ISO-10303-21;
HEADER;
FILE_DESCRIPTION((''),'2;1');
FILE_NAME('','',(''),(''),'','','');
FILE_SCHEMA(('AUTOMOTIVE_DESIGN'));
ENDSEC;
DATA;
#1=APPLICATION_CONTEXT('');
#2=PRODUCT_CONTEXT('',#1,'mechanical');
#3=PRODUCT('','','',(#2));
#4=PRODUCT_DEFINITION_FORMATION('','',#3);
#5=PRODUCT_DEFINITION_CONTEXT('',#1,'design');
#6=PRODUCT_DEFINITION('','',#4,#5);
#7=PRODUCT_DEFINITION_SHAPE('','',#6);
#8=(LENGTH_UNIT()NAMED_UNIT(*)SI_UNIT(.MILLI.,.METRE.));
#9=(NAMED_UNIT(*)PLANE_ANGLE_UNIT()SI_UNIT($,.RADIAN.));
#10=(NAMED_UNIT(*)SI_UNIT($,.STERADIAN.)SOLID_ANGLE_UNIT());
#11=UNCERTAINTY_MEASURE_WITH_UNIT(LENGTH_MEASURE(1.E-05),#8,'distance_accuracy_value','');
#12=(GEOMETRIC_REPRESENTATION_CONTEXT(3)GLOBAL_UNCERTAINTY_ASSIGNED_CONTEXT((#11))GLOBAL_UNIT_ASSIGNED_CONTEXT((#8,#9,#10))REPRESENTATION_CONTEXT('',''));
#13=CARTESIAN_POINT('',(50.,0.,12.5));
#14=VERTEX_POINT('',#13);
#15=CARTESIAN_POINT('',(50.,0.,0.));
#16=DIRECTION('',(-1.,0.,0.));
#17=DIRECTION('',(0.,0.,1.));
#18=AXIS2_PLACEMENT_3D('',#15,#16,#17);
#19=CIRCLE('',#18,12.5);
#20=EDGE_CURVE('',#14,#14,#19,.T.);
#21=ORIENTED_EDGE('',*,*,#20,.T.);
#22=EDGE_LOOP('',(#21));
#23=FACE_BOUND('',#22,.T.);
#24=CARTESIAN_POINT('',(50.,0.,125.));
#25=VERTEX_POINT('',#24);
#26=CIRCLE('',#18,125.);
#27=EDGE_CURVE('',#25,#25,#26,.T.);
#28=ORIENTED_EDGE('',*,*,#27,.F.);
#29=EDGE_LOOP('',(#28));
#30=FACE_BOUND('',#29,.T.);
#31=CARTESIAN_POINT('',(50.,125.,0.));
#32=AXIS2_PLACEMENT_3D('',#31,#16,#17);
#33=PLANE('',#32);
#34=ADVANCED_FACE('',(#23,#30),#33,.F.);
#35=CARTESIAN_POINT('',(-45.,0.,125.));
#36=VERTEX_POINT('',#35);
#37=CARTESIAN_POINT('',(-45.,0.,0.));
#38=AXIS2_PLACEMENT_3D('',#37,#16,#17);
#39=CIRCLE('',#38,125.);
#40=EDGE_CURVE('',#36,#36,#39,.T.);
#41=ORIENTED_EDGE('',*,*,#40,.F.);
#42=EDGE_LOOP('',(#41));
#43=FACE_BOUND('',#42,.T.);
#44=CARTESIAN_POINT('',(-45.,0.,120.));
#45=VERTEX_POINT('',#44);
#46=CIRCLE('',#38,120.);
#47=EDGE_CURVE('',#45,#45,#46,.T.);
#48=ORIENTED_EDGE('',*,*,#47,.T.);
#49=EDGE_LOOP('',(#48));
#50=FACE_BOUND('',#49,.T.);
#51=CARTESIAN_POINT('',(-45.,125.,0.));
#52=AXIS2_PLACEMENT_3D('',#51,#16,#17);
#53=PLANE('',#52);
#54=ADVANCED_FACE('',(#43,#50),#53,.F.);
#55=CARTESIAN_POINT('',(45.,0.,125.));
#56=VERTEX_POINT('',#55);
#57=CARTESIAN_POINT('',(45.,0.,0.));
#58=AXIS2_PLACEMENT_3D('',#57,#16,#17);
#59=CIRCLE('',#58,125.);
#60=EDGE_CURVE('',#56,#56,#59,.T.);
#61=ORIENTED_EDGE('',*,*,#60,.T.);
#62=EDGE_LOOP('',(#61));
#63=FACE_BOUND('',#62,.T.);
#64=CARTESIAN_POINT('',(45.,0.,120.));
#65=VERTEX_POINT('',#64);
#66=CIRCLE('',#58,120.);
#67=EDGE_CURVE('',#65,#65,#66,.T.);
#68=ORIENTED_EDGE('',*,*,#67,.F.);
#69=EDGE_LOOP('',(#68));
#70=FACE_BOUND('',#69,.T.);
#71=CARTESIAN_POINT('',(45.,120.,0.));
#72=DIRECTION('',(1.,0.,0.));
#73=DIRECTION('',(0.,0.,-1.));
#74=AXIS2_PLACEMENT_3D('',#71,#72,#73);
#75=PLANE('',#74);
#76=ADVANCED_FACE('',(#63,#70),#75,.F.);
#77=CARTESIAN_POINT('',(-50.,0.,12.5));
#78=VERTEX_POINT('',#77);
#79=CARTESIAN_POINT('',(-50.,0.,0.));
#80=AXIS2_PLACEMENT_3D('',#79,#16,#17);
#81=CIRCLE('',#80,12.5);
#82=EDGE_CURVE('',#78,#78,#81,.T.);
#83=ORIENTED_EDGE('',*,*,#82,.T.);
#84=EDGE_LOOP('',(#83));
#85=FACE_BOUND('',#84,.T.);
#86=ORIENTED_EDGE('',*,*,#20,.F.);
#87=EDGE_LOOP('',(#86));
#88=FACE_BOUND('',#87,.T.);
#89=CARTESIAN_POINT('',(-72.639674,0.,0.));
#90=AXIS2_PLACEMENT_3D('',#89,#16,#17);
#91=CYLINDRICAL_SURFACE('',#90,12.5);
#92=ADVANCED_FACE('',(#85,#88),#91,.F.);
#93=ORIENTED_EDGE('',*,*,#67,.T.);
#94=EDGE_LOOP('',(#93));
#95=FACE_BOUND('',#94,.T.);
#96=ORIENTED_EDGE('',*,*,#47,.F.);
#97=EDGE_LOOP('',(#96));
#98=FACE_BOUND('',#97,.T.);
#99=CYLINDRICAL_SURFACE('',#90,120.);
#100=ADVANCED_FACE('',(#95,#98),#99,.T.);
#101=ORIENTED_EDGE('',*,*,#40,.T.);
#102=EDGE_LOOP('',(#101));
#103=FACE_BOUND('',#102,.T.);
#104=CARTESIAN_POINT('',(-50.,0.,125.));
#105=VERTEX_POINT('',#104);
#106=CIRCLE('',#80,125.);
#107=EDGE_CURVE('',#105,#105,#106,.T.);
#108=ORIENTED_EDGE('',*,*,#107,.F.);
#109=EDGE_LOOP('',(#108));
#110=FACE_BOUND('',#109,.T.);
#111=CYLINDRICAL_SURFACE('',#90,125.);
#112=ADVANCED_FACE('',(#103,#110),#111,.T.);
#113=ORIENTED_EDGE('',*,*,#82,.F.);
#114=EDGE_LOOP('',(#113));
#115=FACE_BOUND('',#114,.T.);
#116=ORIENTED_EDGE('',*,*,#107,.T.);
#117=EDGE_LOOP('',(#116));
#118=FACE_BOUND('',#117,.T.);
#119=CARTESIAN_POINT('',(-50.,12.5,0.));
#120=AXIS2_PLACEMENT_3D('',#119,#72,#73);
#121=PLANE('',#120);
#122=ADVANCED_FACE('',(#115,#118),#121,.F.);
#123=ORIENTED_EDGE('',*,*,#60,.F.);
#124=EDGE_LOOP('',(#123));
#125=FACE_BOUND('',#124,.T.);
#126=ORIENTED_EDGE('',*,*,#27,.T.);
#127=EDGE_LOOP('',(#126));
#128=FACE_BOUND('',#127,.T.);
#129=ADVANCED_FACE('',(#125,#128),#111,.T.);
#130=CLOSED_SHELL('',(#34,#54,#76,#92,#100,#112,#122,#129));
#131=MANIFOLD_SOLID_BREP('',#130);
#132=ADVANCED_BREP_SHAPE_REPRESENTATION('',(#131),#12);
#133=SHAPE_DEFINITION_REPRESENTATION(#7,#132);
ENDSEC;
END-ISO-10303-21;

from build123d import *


with BuildPart() as part:
    # Sketch2 → Revolve1 (revolve)
    with BuildSketch(Plane.XY, mode=Mode.PRIVATE) as revolve1_sk:
        Polygon((-50, 12.5), (-50, 125), (-45, 125), (-45, 120), (45, 120), (45, 125), (50, 125), (50, 12.5), align=None)
    revolve(revolve1_sk.sketch.rotate(Axis((-72.639673571, 0, 0), (1, 0, 0)), 90), axis=Axis((-72.639673571, 0, 0), (1, 0, 0)))


solid = part.part
